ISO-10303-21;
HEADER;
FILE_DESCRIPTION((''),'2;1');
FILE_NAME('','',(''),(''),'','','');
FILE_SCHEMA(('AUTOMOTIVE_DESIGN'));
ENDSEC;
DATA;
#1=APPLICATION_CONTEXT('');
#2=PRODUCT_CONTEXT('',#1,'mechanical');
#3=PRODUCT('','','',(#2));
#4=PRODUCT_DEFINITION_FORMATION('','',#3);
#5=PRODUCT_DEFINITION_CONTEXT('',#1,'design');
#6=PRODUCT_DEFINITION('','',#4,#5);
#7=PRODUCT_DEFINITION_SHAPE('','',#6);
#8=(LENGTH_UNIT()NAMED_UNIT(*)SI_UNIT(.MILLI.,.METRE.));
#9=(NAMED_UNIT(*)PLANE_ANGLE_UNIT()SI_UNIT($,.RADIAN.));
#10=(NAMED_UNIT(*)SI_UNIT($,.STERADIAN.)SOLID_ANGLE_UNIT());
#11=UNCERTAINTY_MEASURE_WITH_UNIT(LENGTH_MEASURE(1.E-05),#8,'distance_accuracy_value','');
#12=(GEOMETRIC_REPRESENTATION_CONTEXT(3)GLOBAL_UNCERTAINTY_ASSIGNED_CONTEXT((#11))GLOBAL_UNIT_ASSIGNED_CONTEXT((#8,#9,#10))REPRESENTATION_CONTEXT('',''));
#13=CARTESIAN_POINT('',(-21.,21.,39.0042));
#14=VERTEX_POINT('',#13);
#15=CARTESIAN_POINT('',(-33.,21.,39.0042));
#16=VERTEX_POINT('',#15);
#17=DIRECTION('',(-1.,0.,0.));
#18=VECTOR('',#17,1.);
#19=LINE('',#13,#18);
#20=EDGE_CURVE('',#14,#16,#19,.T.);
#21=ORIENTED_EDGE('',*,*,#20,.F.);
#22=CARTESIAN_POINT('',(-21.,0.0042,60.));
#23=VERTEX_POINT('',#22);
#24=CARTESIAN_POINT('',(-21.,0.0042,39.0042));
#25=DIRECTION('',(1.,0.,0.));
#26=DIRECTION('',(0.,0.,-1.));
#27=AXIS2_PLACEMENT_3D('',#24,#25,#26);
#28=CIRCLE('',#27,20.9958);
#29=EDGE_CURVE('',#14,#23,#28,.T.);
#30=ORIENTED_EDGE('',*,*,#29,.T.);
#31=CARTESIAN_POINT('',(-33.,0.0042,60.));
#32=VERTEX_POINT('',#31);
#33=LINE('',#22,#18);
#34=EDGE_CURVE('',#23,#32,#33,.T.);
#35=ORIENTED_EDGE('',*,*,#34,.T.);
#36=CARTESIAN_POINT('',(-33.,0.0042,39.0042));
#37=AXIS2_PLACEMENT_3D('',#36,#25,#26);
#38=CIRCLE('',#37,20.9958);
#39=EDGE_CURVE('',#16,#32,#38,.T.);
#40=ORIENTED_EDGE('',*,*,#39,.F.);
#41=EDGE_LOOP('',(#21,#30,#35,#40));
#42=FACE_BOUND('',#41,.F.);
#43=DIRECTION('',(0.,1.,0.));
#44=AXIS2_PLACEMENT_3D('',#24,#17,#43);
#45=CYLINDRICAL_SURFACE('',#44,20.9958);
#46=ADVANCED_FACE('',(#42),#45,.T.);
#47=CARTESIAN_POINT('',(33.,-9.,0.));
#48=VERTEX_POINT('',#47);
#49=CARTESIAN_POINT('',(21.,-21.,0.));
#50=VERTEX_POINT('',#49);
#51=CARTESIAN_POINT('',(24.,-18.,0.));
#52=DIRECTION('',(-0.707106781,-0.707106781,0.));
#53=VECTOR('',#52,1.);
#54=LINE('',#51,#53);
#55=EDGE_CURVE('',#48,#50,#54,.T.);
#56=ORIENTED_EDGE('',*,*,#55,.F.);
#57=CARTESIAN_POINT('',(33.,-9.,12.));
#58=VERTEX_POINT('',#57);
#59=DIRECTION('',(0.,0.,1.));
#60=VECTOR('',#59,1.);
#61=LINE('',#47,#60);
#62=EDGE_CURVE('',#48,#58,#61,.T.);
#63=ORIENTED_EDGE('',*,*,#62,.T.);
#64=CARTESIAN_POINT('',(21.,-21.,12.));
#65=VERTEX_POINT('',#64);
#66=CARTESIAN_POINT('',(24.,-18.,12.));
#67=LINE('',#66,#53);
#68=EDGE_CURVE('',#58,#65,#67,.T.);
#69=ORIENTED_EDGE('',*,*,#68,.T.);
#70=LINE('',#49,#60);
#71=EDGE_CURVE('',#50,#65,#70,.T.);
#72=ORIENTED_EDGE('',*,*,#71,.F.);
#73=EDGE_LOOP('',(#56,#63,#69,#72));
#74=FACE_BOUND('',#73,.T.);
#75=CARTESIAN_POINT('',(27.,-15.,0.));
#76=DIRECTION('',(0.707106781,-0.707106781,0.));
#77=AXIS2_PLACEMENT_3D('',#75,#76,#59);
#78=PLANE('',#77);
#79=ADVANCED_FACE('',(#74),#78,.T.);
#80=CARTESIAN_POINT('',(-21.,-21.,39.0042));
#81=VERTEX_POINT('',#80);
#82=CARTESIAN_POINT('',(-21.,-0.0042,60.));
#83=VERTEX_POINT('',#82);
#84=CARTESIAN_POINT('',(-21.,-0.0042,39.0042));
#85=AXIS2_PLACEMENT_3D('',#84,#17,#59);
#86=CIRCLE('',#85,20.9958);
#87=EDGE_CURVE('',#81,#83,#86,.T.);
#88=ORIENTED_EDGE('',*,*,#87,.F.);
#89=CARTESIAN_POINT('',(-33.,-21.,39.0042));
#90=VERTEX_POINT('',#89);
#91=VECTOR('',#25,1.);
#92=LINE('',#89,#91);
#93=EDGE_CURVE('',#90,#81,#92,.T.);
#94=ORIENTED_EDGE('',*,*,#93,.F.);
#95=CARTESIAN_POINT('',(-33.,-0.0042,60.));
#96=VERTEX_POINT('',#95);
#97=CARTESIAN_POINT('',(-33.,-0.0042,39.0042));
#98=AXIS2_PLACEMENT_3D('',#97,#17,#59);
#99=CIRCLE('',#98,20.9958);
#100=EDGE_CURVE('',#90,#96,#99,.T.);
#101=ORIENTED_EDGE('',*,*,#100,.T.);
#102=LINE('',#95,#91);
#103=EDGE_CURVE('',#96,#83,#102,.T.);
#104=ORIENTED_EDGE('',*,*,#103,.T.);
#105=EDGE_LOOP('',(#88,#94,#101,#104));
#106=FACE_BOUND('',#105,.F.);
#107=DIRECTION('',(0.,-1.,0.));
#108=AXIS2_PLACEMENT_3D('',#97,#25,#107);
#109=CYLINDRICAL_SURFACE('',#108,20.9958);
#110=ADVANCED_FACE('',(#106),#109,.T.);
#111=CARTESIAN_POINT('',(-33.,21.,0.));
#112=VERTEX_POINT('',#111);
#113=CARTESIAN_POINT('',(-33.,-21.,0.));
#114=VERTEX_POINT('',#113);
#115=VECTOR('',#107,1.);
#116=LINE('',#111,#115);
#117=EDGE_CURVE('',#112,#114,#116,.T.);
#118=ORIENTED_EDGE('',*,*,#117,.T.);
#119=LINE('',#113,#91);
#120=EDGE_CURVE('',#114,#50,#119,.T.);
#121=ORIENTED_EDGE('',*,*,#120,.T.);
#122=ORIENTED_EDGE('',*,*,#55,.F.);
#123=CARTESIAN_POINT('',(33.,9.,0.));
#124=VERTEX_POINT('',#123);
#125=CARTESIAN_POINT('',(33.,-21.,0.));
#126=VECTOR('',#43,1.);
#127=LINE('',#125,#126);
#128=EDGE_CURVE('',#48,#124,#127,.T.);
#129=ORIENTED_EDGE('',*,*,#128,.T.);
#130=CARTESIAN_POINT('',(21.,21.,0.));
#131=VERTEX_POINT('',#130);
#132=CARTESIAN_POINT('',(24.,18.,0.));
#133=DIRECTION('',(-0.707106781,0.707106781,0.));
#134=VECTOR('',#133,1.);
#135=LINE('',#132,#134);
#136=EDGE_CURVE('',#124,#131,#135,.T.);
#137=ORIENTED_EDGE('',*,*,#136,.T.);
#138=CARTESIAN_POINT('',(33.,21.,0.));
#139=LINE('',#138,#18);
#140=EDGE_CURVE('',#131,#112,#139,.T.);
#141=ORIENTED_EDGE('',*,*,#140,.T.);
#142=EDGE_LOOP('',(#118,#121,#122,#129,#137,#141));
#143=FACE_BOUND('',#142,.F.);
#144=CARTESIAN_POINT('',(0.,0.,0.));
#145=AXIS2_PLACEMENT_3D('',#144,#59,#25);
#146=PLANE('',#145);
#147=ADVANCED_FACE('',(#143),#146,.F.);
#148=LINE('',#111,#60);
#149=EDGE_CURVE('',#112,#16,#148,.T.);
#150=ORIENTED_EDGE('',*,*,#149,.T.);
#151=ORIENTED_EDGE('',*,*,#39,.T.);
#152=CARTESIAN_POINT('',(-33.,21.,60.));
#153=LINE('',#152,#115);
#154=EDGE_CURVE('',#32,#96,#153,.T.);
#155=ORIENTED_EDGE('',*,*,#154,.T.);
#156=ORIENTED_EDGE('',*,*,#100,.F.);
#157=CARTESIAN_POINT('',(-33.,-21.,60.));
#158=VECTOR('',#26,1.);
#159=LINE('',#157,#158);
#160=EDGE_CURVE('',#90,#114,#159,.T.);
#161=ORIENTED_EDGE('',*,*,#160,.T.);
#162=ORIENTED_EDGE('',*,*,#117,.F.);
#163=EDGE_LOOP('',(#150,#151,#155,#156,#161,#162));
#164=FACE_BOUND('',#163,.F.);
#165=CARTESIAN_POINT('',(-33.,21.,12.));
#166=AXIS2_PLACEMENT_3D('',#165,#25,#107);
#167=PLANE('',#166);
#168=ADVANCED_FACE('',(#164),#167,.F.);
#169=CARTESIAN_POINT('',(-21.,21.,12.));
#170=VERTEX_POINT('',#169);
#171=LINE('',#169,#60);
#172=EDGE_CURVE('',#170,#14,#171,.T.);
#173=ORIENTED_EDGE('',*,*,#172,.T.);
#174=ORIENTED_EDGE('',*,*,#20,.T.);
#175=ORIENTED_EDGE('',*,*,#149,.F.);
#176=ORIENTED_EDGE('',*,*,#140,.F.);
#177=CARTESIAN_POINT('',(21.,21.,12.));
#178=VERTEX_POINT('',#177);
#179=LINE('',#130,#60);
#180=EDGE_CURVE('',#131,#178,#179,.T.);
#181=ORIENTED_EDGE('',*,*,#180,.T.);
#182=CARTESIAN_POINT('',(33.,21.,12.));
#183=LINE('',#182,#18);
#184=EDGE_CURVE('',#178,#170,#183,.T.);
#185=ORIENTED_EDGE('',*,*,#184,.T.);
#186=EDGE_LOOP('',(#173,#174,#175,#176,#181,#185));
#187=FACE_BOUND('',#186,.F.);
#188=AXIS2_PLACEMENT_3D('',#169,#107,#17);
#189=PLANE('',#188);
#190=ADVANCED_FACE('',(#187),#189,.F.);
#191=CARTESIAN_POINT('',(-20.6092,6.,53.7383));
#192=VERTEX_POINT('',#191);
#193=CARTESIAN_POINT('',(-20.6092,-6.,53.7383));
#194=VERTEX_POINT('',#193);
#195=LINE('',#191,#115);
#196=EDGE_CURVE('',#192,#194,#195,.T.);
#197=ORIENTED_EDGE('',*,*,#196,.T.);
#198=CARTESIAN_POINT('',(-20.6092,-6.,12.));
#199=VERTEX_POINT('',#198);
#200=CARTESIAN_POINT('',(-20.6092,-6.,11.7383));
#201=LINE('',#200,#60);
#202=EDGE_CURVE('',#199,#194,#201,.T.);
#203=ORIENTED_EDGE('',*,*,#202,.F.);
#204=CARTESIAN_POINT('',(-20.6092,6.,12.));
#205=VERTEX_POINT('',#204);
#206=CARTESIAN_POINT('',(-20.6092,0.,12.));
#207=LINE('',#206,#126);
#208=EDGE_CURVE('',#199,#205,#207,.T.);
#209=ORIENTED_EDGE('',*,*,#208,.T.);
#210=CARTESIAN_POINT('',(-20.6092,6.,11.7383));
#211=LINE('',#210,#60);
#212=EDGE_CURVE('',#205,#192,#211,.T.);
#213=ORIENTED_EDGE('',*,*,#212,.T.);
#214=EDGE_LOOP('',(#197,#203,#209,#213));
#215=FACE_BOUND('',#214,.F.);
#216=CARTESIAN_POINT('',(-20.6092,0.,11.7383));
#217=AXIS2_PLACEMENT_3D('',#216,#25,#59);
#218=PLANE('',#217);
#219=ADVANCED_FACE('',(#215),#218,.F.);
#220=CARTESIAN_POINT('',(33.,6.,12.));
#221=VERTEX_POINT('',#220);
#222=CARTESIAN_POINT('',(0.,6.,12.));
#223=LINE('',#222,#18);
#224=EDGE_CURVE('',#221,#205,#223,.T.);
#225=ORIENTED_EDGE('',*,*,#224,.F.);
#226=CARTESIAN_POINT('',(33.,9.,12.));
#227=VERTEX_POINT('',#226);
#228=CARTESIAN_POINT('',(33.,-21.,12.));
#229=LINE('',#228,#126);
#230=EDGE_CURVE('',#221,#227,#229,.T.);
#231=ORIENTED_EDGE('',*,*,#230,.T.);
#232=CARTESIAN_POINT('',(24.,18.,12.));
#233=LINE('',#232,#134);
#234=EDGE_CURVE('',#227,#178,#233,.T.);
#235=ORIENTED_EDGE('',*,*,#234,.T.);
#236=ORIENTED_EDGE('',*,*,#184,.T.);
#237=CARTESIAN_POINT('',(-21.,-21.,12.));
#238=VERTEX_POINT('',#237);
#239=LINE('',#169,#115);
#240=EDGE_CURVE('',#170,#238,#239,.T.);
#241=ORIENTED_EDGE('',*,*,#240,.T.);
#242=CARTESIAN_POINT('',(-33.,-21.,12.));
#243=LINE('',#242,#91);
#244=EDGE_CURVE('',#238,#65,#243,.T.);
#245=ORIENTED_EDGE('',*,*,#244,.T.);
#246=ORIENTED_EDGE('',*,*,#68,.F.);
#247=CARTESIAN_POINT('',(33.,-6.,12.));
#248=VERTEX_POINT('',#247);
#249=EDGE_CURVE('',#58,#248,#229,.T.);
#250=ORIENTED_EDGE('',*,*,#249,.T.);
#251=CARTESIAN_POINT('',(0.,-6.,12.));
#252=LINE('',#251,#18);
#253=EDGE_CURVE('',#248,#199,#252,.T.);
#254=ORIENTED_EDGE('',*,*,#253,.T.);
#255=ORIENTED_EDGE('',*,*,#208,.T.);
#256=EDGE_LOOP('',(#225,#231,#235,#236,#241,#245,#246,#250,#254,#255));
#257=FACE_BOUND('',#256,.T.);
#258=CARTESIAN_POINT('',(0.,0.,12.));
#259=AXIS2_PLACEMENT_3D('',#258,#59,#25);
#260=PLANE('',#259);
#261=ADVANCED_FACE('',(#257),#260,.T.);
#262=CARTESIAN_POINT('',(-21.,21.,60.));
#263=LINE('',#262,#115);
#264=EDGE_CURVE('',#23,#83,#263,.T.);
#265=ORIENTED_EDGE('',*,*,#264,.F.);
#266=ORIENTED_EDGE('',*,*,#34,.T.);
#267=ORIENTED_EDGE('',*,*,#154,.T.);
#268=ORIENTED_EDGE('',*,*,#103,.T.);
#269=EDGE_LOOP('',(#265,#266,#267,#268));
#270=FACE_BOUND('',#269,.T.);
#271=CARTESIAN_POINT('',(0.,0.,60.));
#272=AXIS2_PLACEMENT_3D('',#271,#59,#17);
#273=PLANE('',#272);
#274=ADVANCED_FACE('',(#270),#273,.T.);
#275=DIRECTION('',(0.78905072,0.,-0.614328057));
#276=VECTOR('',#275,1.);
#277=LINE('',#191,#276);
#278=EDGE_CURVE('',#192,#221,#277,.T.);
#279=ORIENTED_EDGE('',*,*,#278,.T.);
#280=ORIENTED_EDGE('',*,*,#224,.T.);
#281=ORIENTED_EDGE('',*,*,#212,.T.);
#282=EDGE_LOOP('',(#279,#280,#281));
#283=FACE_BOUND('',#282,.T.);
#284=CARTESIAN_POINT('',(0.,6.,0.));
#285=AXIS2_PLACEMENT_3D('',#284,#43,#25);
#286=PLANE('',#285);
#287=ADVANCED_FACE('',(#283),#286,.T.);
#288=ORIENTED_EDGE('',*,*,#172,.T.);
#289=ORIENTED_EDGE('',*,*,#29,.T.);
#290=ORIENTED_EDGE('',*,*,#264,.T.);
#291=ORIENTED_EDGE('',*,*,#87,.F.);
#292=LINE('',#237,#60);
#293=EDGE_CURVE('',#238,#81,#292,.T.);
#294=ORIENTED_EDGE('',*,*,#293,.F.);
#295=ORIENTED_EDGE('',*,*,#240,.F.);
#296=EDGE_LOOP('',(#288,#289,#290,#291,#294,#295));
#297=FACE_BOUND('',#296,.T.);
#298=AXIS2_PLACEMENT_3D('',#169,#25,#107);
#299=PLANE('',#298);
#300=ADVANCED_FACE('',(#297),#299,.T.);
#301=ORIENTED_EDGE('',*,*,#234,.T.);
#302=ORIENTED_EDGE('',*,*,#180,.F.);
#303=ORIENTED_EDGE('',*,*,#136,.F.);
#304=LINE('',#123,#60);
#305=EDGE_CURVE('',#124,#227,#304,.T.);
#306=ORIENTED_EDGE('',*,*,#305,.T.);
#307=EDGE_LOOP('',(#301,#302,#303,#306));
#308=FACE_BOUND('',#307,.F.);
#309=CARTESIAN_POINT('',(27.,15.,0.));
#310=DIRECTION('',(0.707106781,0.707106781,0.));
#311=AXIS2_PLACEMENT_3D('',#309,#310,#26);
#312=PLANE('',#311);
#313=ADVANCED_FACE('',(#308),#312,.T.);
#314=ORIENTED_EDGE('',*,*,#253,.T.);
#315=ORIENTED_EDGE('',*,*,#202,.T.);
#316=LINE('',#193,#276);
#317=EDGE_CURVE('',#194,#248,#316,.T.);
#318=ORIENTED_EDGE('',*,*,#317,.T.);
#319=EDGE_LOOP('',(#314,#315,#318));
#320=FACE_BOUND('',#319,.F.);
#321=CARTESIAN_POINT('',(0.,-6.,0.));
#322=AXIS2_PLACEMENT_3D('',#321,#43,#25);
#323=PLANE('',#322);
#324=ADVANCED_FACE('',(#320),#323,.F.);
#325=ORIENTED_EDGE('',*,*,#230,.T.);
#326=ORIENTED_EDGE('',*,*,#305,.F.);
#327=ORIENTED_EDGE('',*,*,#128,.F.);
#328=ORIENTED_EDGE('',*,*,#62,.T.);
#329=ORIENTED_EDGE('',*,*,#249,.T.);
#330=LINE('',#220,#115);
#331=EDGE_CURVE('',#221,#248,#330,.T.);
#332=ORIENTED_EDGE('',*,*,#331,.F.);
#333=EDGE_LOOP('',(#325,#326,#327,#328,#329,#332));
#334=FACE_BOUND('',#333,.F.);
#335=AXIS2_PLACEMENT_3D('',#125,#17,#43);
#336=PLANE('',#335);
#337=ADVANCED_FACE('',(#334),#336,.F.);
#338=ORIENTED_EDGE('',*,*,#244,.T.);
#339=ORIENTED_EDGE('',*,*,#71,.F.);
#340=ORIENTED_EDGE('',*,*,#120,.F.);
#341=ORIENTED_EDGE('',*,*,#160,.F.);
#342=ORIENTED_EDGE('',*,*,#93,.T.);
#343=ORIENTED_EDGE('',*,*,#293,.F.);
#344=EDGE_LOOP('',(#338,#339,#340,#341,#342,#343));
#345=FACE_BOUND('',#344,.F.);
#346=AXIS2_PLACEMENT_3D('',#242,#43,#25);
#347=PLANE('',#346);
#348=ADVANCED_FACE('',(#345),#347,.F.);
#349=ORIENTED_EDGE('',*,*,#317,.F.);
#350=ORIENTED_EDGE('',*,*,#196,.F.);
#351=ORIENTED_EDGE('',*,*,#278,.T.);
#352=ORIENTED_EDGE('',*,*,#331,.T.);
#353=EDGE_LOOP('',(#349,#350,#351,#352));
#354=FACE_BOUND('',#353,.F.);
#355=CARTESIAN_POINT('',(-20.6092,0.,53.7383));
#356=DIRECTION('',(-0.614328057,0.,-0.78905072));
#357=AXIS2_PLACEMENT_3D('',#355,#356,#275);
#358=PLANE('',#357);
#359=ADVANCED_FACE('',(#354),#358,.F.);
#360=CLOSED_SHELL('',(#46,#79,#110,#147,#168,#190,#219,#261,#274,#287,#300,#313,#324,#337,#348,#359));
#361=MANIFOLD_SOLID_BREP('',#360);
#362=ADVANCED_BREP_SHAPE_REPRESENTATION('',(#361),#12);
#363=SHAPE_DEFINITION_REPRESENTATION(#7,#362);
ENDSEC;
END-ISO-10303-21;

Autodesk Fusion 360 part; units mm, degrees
sketch "bottom" plane through (0, 0, 0) normal (0, 0, 1) x (1, 0, 0)
  line L0 (33, 21) -> (-33, 21)
  line L1 (-33, 21) -> (-33, -21)
  line L2 (-33, -21) -> (33, -21)
  line L3 (33, -21) -> (33, 21)
  line L4 (33, 21) -> (-33, -21) construction
  line L5 (-33, 21) -> (33, -21) construction
  dimension "d1" = 66
  dimension "d2" = 42
extrude "Extrude1" add sketch "bottom" along normal blind 12
chamfer "Chamfer1" distance 12 angle 45 2 edges at (33, -21, 6) (33, 21, 6)
sketch "vertical" plane through (0, 0, 12) normal (0, 0, 1) x (-1, 0, 0)
  line L0 (-33, -9) -> (-21, -21)
  line L1 (-21, -21) -> (33, -21)
  line L2 (33, -21) -> (33, 21)
  line L3 (33, 21) -> (-21, 21)
  line L4 (-21, 21) -> (-33, 9)
  line L5 (-33, 9) -> (-33, -9)
  line L6 (33, -21) -> (21, -21)
  line L7 (21, -21) -> (21, 21)
  line L8 (21, 21) -> (33, 21)
  line L9 (33, 21) -> (33, -21)
  dimension "d6" = 12
extrude "Extrude2" add sketch "vertical" along normal blind 48 contours L1 L2 L3 L6 L7 L8 L9
fillet "Fillet1" radius 21 2 edges at (-27, -21, 60) (-27, 21, 60)
sketch "triangle" plane through (0, 0, 0) normal (0, 1, 0) x (1, 0, 0)
  line L0 (-20.6092, -11.7383) -> (-20.6092, -53.7383)
  line L1 (-20.6092, -53.7383) -> (33, -12)
  line L2 (33, -12) -> (-20.6092, -11.7383)
  dimension "d10" = 42
extrude "Extrude4" add sketch "triangle" along normal mid plane 12
extrude "Extrude3" [suppressed]
